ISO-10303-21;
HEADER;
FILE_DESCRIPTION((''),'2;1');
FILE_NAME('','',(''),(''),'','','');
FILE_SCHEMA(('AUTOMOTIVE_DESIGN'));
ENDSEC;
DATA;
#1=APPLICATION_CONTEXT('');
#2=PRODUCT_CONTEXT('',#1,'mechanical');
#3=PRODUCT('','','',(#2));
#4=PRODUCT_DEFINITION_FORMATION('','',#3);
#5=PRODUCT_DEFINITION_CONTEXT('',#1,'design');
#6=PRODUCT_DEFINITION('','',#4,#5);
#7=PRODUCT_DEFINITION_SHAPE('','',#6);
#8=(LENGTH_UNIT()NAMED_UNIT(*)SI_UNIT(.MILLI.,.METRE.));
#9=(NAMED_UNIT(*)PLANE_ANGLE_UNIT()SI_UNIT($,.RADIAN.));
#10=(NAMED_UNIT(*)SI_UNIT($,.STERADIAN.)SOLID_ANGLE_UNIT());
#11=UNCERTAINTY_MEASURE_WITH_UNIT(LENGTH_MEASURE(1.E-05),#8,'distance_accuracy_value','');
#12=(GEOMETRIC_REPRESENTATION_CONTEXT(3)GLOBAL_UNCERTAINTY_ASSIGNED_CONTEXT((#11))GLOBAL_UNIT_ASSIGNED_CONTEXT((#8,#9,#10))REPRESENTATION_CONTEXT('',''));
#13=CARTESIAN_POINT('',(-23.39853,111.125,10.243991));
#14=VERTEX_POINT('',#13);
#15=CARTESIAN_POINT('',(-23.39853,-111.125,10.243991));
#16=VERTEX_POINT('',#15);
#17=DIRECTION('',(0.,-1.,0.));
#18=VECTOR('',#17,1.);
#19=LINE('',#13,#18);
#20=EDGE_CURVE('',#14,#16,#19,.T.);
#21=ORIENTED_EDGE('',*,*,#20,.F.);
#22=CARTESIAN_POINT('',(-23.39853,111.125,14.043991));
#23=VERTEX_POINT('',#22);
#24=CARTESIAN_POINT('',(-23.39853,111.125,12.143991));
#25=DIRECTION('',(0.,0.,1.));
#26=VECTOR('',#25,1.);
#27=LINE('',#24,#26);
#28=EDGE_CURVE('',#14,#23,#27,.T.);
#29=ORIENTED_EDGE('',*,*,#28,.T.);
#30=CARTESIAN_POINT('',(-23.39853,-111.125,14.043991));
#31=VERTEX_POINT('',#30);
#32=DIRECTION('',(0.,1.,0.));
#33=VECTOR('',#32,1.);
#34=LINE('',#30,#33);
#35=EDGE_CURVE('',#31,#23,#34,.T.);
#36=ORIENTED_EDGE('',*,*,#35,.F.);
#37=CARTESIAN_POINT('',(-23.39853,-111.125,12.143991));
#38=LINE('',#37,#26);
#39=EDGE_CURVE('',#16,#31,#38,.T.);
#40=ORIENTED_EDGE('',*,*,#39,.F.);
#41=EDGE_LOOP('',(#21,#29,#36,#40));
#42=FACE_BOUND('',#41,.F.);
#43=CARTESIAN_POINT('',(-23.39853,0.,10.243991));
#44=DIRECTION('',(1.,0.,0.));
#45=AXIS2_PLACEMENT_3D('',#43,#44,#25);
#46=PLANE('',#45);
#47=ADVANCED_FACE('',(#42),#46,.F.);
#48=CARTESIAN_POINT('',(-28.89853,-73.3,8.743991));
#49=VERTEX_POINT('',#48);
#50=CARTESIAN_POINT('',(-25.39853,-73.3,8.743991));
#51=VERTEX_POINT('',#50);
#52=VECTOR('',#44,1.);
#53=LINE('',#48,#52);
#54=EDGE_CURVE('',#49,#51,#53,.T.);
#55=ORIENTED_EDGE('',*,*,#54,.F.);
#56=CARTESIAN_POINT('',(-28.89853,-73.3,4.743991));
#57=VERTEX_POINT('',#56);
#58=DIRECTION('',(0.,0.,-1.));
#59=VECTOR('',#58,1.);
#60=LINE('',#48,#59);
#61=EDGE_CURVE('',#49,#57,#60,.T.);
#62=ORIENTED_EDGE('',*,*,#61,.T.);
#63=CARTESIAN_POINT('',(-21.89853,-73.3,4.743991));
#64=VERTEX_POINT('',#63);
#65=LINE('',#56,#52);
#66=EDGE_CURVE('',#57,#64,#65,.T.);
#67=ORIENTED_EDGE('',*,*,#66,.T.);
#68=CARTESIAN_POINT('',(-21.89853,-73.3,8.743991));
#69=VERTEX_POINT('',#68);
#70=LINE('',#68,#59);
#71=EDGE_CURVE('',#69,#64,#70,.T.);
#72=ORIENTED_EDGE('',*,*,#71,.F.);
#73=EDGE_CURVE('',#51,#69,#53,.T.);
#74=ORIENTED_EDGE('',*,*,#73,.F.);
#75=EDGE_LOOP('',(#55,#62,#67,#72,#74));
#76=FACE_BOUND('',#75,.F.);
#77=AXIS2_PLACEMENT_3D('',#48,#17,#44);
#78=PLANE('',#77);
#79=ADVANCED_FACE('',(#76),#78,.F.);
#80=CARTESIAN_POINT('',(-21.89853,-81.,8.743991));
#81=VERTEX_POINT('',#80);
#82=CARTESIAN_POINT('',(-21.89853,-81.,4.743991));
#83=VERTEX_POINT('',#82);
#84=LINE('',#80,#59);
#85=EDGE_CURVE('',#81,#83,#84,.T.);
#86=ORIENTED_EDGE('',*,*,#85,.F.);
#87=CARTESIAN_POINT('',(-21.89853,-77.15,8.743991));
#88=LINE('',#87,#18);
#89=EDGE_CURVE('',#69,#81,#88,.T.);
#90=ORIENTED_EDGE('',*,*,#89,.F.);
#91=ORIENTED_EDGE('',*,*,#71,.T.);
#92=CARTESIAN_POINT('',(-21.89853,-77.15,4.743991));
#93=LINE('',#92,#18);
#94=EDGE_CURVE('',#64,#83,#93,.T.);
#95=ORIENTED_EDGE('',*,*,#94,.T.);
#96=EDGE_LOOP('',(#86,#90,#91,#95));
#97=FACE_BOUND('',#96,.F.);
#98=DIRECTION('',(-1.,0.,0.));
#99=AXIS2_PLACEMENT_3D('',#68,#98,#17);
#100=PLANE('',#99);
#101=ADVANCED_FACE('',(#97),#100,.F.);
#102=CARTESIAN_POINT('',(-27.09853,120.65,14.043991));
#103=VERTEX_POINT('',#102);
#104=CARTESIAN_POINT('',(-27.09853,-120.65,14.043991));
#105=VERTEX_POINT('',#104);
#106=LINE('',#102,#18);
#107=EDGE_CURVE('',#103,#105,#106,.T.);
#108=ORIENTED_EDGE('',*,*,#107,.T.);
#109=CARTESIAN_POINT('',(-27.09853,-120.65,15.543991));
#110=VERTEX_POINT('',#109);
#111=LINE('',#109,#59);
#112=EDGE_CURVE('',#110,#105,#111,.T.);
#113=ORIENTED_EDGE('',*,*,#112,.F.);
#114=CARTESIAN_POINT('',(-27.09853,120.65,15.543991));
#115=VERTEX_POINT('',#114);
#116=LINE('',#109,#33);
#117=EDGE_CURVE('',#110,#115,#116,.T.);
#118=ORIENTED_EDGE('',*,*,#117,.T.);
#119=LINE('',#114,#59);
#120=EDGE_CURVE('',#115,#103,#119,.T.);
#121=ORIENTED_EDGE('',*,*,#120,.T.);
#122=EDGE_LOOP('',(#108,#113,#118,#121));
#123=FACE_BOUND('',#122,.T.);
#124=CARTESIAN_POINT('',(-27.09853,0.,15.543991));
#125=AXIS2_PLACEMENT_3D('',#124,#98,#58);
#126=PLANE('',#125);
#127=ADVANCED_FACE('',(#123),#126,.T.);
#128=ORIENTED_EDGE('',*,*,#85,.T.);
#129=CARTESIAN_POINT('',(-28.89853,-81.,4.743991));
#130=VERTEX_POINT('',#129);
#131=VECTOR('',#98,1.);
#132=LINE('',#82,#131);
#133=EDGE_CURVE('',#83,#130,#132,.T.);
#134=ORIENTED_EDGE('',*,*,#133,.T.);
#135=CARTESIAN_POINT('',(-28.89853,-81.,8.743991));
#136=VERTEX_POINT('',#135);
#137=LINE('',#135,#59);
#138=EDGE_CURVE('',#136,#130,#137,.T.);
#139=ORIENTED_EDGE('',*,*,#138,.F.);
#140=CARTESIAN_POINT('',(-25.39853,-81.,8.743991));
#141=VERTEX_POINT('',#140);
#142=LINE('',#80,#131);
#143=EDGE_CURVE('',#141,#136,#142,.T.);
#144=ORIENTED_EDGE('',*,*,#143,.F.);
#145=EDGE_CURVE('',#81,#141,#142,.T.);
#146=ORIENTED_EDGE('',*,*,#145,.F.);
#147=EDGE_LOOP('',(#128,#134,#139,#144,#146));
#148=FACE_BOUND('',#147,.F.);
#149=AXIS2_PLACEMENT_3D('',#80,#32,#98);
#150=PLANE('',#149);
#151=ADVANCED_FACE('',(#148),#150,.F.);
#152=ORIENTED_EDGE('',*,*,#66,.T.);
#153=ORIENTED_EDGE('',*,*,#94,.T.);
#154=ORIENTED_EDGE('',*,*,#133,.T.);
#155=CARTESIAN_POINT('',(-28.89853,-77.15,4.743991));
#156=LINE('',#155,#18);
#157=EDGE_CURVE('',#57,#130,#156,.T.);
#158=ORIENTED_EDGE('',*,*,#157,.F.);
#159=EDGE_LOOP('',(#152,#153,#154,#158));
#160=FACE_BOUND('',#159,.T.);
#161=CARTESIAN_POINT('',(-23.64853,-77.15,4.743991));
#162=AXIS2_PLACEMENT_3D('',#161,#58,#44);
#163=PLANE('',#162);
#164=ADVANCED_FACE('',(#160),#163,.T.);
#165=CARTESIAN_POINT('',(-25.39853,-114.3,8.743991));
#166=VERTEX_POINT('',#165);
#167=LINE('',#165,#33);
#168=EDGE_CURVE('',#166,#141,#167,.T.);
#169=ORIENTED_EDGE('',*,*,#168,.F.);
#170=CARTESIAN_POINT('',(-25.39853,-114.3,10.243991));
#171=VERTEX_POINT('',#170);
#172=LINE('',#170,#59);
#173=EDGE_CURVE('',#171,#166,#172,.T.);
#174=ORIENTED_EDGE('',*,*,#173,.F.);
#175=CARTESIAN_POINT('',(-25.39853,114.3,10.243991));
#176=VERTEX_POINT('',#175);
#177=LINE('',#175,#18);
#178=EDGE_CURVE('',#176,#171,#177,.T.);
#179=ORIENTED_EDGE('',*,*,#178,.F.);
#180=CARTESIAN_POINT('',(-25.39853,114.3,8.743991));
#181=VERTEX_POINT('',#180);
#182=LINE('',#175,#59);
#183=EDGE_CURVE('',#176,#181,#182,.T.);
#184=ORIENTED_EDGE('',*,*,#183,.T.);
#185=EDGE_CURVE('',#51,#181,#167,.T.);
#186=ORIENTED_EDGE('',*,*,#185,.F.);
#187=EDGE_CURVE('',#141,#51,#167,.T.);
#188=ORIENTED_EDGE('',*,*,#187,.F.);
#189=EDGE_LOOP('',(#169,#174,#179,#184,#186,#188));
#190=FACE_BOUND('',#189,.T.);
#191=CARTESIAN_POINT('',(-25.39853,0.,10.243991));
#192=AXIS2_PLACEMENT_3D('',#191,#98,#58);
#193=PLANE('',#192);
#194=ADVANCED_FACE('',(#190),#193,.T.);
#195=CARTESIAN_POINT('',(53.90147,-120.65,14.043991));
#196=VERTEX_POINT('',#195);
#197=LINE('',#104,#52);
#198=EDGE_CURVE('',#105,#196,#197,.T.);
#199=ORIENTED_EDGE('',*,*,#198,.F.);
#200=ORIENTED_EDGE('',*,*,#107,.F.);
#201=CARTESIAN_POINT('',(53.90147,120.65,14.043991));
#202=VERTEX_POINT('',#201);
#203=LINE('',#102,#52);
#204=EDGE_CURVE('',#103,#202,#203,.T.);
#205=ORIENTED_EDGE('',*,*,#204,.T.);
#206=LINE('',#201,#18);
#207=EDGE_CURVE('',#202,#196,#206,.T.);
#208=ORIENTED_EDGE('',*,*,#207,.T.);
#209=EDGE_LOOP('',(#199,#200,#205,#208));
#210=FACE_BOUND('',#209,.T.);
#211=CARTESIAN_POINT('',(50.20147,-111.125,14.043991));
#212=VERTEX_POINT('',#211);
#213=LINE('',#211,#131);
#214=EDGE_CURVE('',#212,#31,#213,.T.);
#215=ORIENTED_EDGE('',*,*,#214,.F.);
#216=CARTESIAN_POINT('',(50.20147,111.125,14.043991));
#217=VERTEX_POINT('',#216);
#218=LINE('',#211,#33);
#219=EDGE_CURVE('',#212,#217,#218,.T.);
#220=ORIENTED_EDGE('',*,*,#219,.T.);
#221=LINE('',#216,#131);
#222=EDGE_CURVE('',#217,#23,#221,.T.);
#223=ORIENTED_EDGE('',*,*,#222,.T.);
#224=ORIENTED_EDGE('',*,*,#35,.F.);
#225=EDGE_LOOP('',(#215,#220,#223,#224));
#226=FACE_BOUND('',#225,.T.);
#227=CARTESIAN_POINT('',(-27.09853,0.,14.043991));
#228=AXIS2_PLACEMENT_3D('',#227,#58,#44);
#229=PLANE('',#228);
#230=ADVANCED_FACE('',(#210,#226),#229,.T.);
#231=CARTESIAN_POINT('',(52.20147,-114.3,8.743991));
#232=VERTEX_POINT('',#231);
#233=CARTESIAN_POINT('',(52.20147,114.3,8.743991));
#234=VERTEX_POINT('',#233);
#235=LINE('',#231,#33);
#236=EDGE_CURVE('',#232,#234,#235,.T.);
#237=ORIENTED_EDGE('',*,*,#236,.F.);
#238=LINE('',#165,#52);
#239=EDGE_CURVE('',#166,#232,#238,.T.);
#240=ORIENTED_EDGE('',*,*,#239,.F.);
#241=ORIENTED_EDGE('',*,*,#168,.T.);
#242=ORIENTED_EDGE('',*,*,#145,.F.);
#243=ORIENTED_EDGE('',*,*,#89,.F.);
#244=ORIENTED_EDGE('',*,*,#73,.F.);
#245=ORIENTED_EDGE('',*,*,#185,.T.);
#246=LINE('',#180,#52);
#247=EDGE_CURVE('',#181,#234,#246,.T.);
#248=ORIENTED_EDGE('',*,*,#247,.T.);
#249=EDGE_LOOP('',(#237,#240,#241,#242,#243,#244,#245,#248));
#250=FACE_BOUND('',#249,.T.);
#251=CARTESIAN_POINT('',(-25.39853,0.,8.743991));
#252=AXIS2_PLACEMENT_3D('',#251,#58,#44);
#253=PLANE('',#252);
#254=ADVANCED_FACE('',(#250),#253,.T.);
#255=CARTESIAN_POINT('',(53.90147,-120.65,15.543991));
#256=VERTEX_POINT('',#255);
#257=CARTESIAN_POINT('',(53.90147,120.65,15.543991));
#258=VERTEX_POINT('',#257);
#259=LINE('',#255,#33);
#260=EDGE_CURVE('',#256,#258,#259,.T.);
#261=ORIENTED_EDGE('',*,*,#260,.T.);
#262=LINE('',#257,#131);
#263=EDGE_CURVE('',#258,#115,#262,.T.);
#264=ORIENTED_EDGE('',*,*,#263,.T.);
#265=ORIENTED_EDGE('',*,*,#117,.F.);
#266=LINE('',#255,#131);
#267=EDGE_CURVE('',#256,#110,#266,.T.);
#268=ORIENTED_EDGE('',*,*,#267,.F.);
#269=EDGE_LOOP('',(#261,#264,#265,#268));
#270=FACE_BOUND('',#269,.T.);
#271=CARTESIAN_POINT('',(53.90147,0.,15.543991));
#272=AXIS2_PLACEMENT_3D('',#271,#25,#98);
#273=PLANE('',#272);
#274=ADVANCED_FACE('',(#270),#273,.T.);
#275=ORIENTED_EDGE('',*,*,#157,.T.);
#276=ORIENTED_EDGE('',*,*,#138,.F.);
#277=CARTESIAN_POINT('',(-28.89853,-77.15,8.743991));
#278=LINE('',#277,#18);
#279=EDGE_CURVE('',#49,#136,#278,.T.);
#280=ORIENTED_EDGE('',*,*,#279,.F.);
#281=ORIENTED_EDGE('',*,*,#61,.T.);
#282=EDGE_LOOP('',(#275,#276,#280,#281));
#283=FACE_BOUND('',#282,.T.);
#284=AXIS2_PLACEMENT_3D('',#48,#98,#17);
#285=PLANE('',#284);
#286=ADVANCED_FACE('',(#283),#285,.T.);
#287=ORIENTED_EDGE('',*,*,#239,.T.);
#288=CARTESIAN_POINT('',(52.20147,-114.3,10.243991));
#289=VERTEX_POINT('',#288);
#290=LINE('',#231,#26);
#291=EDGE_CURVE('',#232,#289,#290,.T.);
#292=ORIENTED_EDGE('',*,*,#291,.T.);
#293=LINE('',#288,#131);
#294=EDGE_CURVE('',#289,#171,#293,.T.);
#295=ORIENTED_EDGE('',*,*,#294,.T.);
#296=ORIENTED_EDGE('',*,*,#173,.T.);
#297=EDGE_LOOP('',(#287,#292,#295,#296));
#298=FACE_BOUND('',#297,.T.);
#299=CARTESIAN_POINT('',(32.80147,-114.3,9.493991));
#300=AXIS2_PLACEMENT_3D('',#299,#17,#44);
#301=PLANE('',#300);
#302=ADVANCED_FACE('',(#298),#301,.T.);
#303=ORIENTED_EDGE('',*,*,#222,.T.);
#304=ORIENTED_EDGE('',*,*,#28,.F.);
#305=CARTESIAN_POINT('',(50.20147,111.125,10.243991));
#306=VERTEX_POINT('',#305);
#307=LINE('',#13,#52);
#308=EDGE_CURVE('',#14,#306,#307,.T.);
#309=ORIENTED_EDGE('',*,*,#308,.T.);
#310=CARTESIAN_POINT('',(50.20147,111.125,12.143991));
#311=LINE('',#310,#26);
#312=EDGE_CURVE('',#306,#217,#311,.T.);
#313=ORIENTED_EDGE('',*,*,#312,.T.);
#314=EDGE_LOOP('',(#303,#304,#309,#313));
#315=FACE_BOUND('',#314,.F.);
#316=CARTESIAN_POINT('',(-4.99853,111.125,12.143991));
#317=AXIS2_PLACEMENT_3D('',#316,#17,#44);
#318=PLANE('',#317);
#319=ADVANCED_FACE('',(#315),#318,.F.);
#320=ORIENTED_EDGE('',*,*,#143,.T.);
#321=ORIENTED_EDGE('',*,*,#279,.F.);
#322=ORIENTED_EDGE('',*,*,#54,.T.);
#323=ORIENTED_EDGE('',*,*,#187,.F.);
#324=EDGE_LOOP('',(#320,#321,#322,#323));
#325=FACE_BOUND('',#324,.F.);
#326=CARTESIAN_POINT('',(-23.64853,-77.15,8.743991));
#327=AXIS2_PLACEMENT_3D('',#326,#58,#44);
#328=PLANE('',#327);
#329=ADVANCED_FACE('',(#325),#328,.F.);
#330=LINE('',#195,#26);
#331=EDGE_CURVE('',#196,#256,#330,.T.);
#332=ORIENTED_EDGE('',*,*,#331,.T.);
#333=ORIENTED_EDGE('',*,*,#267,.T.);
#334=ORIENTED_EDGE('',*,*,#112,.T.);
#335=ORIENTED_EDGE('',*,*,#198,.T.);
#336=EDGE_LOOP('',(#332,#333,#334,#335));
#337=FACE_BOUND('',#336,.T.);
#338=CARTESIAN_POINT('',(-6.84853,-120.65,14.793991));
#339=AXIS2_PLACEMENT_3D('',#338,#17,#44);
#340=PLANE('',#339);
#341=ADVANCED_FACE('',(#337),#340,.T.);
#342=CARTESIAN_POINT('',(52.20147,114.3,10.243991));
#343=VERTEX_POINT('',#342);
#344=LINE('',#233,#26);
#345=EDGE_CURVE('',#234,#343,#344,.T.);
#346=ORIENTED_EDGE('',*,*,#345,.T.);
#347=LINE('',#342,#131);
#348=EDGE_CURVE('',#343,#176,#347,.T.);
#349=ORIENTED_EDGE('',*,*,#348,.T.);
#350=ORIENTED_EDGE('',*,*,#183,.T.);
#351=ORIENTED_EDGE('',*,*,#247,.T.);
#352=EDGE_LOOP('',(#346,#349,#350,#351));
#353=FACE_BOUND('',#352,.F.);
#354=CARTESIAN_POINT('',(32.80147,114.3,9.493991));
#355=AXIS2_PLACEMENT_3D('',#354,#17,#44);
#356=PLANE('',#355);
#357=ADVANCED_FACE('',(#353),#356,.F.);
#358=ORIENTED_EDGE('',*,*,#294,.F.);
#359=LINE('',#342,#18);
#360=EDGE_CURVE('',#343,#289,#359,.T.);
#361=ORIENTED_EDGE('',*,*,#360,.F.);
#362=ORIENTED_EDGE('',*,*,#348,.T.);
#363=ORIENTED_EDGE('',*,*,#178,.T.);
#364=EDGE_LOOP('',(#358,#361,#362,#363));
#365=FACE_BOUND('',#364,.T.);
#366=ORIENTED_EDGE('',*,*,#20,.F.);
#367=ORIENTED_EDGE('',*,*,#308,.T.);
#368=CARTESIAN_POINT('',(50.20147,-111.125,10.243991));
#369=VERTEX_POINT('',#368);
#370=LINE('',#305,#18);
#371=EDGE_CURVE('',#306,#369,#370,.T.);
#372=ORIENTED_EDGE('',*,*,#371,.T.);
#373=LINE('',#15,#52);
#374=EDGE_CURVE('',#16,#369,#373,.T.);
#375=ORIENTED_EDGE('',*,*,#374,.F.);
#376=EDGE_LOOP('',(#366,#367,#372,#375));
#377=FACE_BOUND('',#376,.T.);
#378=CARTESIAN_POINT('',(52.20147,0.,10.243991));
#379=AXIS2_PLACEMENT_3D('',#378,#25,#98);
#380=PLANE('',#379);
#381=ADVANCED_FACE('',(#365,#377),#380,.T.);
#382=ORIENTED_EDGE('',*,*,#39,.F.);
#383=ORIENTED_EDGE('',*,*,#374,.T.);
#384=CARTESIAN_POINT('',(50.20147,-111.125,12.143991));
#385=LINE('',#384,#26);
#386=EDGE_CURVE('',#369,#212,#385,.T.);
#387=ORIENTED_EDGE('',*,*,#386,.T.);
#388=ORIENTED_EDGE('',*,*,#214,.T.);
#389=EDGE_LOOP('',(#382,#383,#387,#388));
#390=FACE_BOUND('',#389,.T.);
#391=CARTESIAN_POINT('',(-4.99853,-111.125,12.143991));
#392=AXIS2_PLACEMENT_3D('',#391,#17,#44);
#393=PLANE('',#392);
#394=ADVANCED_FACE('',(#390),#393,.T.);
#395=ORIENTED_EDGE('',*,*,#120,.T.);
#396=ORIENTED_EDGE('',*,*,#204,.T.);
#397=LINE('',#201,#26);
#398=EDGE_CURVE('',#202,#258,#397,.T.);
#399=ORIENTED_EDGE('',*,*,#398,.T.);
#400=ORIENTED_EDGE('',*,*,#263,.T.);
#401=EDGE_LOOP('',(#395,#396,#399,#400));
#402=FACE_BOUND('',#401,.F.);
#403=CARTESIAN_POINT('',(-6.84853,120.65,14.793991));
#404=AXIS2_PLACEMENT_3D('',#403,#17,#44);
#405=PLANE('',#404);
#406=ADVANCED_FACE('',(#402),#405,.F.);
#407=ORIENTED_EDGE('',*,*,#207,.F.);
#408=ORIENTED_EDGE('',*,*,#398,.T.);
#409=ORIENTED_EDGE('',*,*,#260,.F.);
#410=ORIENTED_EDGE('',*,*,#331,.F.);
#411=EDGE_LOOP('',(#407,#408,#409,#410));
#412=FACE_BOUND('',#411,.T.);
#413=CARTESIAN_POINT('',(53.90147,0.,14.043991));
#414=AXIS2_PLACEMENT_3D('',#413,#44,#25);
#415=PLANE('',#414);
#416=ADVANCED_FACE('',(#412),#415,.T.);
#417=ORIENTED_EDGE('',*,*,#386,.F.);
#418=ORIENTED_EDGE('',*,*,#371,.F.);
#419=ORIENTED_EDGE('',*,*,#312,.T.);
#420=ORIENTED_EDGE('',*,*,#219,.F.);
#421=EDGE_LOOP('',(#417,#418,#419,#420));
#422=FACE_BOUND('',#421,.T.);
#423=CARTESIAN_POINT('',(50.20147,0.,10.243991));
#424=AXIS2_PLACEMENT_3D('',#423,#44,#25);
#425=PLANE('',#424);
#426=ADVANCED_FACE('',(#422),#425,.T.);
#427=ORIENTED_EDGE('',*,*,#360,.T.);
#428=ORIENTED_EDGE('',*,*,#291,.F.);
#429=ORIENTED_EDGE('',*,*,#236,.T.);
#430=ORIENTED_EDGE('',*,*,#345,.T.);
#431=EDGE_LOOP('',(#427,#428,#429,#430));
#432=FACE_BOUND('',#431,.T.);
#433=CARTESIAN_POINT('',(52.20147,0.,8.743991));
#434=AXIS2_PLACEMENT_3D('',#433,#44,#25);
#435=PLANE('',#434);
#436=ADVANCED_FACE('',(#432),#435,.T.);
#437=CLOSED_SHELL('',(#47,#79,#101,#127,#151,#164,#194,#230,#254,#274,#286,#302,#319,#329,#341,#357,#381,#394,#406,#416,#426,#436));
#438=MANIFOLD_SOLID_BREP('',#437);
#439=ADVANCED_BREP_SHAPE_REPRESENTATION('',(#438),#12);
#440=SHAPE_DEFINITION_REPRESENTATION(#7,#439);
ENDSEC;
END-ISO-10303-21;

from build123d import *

# Parameters (mm, degrees)
F1_DEPTH = 114.3
F2_DEPTH = 120.65
F0_W     = 36.8
F0_H     = 3.8
F3_DEPTH = 111.125
F4_W     = 3.5
F4_H     = 7.7
F5_DEPTH = 4


with BuildPart() as f1:
    # F0 (on Front) → F1 (new body, symmetric)
    with BuildSketch(Plane.XZ):
        Polygon((50.201469934, 10.2439912885), (13.401469934, 10.2439912885), (13.401469934, 8.7439912885), (52.201469934, 8.7439912885), (52.201469934, 10.2439912885), align=None)
        Polygon((13.401469934, 8.7439912885), (13.401469934, 10.2439912885), (-23.398530066, 10.2439912885), (-25.398530066, 10.2439912885), (-25.398530066, 8.7439912885), align=None)
    extrude(amount=F1_DEPTH, both=True)



with BuildPart() as f2:
    # F0 (on Front) → F2 (new body, symmetric)
    with BuildSketch(Plane.XZ):
        Polygon((13.401469934, 15.5439912885), (-27.098530066, 15.5439912885), (-27.098530066, 14.0439912885), (-23.398530066, 14.0439912885), (13.401469934, 14.0439912885), align=None)
        Polygon((53.901469934, 15.5439912885), (13.401469934, 15.5439912885), (13.401469934, 14.0439912885), (50.201469934, 14.0439912885), (53.901469934, 14.0439912885), align=None)
    extrude(amount=F2_DEPTH, both=True)


with BuildPart() as f1_1:
    add(f1.part)

    add(f2.part)  # F3 merges F2
    # F0 (on Front) → F3 (join, symmetric)
    with BuildSketch(Plane.XZ):
        with Locations((-4.998530066, 12.1439912885)):
            Rectangle(F0_W, F0_H)
        with Locations((31.801469934, 12.1439912885)):
            Rectangle(F0_W, F0_H)
    extrude(amount=F3_DEPTH, both=True)

    # F4 (on face) → F5 (join)
    with BuildSketch(Plane(origin=(0, 0, 8.7439912885), x_dir=(1, 0, 0), z_dir=(0, 0, -1))):
        with Locations((-23.648530066, 77.15)):
            Rectangle(F4_W, F4_H)
        with Locations((-27.148530066, 77.15)):
            Rectangle(F4_W, F4_H)
    extrude(amount=F5_DEPTH)


solid = f1_1.part
